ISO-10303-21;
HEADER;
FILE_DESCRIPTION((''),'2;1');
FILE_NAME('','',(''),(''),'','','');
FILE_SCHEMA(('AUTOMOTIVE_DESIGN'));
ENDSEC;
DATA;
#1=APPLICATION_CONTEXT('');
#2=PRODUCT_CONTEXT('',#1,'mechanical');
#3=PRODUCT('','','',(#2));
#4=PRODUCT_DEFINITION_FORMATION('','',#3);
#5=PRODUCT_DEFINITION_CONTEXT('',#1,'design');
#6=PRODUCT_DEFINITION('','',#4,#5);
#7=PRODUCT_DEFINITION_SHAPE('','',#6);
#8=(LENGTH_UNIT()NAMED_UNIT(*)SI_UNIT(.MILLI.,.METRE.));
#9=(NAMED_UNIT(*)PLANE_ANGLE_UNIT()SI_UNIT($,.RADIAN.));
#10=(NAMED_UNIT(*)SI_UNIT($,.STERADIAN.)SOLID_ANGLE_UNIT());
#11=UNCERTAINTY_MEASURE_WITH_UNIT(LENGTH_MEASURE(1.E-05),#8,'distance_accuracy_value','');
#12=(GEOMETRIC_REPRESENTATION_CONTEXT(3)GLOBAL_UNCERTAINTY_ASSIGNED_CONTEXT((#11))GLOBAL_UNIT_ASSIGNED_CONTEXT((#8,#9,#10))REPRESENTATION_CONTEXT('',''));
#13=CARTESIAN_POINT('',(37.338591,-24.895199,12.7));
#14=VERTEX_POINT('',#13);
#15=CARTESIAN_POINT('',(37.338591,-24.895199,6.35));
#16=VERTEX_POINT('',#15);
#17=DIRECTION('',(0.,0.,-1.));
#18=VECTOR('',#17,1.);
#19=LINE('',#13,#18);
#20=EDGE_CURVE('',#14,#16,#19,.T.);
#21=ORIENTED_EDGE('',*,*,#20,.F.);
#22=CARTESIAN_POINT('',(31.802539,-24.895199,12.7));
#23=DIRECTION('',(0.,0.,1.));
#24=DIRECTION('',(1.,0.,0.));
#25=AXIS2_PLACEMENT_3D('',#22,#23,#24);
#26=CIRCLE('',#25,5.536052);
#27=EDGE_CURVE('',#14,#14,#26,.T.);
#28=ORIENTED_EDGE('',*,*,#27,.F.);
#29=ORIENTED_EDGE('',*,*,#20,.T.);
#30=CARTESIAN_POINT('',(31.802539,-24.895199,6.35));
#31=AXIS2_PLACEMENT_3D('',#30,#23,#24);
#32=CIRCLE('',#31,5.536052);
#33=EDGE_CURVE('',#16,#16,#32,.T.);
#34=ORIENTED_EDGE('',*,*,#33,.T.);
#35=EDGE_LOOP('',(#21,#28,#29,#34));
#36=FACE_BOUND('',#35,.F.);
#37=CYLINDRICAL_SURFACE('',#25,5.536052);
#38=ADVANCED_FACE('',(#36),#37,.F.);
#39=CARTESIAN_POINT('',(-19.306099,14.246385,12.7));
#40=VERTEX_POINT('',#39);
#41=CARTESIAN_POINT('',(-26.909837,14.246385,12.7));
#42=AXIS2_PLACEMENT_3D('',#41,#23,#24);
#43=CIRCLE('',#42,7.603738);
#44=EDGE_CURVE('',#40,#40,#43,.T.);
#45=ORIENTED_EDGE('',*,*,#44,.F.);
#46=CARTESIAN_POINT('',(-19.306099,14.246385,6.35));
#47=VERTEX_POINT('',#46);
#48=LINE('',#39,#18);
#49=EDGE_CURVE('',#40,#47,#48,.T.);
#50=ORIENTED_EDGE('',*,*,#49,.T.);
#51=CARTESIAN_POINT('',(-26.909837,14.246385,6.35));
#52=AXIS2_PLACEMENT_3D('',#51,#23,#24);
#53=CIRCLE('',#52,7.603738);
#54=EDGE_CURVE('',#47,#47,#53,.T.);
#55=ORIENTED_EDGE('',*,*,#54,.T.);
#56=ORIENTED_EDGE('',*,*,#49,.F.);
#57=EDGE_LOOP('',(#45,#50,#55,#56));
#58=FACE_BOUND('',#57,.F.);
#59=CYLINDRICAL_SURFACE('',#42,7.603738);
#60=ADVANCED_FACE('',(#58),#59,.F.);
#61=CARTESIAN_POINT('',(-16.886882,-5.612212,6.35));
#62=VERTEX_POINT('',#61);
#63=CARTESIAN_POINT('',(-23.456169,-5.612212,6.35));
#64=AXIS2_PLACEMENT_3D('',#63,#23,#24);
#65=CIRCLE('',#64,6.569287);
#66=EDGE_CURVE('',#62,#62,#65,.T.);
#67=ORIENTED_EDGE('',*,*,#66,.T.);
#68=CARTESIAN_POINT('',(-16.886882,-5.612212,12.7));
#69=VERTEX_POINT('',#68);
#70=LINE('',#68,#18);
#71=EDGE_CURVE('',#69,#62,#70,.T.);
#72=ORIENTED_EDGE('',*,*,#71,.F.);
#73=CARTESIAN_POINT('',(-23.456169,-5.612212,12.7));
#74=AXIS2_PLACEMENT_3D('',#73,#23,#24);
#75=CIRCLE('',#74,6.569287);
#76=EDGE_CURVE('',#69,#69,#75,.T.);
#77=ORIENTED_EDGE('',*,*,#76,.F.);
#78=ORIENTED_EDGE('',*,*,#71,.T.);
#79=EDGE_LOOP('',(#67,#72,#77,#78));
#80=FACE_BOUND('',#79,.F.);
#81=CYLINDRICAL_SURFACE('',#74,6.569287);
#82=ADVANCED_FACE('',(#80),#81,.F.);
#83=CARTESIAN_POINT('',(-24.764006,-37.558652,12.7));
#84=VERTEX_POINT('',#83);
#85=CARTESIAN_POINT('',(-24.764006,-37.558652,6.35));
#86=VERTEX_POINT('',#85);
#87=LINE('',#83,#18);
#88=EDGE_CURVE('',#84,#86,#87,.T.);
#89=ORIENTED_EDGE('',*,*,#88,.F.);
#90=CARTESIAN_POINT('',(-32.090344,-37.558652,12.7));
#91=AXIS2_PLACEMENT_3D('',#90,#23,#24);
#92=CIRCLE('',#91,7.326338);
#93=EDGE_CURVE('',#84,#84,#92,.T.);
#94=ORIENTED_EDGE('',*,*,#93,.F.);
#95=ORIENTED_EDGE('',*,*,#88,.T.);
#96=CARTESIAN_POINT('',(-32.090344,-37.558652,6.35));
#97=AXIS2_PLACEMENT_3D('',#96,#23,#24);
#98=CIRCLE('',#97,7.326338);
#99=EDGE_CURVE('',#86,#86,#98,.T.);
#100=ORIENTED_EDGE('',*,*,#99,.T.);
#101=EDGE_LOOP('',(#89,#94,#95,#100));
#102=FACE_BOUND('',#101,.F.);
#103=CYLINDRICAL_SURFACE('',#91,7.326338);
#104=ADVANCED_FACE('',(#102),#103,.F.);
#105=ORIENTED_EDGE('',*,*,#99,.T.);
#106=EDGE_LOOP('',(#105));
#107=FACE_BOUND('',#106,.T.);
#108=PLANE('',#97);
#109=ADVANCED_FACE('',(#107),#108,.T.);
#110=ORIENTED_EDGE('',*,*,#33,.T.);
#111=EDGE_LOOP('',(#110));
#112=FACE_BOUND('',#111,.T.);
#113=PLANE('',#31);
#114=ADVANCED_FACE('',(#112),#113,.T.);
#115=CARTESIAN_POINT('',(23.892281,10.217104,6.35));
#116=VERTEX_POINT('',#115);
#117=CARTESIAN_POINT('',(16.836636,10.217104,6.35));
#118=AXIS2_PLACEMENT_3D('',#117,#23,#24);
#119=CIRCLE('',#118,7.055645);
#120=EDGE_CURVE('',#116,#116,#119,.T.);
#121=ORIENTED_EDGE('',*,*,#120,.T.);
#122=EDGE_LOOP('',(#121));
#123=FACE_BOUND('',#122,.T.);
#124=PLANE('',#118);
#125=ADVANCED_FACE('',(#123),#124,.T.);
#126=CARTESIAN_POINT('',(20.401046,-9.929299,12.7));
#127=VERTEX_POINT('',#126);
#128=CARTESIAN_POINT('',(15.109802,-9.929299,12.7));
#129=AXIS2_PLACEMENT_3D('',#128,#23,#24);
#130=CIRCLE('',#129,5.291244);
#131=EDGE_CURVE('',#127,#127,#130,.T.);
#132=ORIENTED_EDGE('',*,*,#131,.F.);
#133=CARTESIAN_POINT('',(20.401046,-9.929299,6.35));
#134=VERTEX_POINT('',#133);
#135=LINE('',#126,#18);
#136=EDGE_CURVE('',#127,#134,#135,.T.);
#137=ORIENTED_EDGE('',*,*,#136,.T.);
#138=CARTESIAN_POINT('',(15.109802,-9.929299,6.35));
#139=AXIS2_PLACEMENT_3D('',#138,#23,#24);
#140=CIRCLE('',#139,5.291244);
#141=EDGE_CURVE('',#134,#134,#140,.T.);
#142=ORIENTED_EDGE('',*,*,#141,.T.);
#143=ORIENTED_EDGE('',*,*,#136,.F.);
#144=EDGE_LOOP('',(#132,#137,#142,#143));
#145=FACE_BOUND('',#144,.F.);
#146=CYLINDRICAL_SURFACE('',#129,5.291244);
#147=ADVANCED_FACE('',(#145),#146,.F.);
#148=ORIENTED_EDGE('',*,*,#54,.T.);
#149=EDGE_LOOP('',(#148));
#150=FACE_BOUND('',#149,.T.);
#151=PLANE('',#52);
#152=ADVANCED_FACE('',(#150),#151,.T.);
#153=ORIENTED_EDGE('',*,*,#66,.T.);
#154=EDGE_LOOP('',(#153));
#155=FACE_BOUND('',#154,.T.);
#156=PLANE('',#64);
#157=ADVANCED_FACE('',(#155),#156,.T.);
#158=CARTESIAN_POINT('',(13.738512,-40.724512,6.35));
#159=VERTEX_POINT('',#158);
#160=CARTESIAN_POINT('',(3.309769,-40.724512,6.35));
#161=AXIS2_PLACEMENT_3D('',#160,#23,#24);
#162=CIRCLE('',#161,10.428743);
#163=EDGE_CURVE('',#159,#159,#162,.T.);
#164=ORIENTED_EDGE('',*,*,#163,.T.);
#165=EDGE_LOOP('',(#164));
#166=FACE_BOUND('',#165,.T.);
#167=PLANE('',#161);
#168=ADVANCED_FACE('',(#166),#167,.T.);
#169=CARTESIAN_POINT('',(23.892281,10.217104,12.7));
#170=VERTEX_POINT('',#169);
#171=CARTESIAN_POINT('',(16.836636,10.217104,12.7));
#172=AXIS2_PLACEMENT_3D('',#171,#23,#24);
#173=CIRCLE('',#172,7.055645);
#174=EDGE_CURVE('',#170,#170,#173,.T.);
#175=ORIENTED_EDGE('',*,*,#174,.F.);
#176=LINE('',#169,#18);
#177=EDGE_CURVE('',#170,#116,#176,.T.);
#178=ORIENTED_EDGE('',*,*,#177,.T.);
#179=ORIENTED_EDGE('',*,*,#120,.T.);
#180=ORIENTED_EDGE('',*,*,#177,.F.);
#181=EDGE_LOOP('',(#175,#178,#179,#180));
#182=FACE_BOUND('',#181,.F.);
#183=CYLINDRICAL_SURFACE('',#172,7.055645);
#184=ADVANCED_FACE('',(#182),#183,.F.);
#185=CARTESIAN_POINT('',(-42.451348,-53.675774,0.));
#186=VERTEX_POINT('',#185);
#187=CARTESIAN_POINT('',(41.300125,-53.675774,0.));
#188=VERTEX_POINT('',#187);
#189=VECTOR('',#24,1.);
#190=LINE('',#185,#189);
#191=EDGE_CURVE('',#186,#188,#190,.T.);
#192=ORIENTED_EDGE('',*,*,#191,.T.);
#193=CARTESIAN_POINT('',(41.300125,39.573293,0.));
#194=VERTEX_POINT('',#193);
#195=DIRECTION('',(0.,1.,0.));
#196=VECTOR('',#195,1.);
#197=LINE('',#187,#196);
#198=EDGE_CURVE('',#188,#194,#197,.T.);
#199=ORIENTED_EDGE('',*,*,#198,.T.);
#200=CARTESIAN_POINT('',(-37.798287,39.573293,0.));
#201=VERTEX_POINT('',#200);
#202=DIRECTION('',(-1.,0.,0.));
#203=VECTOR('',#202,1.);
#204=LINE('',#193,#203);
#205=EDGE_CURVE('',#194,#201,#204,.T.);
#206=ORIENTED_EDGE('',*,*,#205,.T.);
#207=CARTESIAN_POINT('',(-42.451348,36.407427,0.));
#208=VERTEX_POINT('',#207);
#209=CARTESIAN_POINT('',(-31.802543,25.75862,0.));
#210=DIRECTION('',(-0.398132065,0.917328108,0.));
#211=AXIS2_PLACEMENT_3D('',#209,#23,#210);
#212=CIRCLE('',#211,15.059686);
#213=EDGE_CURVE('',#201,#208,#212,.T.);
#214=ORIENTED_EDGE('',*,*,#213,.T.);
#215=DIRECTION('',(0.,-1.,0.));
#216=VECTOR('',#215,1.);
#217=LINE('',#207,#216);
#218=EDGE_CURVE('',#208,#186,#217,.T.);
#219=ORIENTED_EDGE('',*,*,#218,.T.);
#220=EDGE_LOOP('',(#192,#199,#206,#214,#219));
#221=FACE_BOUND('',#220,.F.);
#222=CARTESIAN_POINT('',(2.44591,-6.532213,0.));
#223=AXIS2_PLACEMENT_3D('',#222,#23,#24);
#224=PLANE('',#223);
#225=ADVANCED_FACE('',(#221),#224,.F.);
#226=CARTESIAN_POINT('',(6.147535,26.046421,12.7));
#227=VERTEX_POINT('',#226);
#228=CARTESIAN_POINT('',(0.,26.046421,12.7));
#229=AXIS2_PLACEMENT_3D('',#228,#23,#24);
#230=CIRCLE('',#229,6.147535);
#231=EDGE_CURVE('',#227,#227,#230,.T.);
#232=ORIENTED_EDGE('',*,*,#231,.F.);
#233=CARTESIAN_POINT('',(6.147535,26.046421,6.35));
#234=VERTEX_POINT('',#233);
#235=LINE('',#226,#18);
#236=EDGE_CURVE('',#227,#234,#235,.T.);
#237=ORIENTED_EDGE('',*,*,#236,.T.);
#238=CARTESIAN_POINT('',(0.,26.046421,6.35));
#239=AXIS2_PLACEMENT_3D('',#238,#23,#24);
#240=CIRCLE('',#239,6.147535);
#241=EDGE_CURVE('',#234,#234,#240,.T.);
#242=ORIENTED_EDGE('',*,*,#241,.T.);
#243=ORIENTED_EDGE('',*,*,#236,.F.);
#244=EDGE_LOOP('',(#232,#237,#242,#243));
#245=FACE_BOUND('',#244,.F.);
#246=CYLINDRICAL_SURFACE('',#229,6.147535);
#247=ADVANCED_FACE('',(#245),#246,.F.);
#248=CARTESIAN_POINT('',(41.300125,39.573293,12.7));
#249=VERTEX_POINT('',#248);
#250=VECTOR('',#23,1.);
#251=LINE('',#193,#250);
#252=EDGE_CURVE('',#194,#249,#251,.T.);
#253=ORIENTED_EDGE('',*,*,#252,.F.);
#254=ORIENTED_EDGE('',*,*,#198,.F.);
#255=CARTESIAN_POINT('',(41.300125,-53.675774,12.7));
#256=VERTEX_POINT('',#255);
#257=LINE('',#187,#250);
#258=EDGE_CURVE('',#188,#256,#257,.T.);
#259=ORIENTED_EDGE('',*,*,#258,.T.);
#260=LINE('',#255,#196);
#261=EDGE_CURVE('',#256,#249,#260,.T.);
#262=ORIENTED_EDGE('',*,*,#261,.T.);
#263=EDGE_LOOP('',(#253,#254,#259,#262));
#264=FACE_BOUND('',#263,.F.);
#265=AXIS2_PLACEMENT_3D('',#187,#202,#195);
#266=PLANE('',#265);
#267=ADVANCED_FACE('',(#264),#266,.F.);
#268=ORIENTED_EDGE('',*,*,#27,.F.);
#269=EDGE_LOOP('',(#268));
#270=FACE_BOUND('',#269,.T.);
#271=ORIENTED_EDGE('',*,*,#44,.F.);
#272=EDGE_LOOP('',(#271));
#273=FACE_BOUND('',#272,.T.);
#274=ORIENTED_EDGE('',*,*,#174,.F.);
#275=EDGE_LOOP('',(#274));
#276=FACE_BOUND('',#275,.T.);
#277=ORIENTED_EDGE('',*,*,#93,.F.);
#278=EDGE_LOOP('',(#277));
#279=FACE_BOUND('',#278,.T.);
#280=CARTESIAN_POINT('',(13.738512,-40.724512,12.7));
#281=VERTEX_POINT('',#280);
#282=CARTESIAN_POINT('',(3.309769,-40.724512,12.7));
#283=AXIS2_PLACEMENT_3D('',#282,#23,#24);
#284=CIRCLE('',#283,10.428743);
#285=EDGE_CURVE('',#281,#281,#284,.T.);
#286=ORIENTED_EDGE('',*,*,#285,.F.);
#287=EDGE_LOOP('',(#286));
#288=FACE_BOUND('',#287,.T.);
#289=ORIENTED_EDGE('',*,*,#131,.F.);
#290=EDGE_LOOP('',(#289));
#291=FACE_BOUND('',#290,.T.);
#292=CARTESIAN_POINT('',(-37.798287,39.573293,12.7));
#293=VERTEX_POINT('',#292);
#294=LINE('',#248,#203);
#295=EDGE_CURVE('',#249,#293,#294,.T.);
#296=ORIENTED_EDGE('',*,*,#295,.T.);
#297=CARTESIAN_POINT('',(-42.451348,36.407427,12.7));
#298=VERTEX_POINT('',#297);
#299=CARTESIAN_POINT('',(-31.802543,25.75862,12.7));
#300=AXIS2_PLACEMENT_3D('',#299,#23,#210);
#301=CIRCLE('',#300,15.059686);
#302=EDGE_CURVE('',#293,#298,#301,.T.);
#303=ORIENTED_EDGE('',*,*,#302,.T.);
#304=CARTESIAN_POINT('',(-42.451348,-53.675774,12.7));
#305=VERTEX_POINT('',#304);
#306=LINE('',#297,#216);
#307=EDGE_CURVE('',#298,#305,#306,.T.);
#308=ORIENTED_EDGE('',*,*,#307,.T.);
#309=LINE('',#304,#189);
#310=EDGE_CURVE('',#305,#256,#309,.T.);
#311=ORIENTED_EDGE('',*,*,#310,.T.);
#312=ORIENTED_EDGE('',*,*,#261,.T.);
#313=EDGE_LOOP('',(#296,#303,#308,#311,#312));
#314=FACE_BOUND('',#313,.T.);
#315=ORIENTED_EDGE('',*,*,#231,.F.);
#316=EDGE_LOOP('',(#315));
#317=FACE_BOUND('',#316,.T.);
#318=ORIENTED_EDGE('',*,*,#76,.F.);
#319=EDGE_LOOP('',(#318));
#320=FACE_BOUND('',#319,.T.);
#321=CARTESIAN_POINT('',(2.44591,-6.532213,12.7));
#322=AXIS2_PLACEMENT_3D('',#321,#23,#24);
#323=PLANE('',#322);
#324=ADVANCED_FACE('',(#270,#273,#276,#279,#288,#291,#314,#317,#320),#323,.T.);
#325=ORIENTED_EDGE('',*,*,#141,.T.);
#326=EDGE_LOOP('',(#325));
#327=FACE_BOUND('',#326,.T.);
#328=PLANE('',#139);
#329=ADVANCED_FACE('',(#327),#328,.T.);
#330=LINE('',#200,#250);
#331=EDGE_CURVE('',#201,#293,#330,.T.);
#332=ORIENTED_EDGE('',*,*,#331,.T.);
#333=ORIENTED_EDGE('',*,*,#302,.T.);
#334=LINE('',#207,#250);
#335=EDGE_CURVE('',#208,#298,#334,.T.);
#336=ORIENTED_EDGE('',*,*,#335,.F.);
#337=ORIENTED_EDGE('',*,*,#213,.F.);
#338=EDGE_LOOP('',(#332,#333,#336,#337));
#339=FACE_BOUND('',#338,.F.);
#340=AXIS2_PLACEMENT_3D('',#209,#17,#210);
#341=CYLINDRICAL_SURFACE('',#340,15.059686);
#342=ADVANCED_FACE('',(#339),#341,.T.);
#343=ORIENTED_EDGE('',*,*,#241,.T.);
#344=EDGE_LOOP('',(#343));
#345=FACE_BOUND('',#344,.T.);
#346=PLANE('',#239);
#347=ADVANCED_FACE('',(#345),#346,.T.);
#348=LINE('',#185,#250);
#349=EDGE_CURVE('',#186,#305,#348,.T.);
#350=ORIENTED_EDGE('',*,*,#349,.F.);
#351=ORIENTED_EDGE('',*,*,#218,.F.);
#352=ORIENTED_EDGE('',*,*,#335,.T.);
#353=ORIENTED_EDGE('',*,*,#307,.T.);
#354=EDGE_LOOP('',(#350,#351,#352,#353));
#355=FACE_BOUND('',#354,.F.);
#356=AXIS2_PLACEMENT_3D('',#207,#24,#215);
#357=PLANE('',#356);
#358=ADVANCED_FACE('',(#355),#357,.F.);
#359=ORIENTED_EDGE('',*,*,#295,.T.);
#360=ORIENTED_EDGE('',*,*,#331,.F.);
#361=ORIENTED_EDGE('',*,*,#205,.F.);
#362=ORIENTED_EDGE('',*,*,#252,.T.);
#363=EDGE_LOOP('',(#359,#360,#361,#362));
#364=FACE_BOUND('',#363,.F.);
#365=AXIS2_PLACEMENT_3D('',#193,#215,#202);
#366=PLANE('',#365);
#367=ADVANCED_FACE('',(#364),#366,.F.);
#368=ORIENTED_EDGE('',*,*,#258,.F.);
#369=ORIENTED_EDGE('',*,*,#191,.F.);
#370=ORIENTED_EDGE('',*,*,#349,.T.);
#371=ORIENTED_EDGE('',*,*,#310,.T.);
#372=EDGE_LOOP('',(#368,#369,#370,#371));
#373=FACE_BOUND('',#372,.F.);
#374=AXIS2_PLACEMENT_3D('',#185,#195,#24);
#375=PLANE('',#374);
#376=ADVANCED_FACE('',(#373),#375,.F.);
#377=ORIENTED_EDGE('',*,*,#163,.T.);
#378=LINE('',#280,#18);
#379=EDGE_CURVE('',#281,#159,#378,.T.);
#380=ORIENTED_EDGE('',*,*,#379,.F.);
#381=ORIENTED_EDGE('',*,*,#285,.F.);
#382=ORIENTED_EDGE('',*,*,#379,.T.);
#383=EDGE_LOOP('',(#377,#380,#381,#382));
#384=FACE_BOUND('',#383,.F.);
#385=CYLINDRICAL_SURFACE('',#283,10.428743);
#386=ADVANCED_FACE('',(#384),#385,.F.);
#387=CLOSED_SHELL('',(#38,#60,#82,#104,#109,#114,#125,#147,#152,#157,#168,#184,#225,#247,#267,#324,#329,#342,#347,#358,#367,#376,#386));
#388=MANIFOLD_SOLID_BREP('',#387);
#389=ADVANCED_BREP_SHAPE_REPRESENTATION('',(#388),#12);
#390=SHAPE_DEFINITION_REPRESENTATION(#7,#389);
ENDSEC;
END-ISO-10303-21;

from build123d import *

# Parameters (mm, degrees)
F0_R     = 9.227752
F0_R_2   = 10.316944
F1_DEPTH = 12.7
F2_R     = 7.603738
F2_R_2   = 5.536052
F2_R_3   = 7.326338
F2_R_4   = 7.055645
F2_R_5   = 10.428743
F2_R_6   = 6.147535
F2_R_7   = 6.569287
F2_R_8   = 5.291244
F3_DEPTH = 6.35


with BuildPart() as f1:
    # F0 (on Top) → F1 (new body)
    with BuildSketch(Plane.XY):
        with BuildLine():
            Line((12.50172, 39.573293), (-25.80679, 39.573293))
            ThreePointArc((-25.80679, 39.573293), (-19.351501, 17.287133), (-42.451348, 15.109803))
            Line((-42.451348, 15.109803), (-42.451348, -53.675774))
            Line((-42.451348, -53.675774), (-26.046417, -53.675774))
            ThreePointArc((-26.046417, -53.675774), (-15.397607, -31.799477), (-4.748798, -53.675774))
            Line((-4.748798, -53.675774), (16.548831, -53.675774))
            Line((16.548831, -53.675774), (41.300125, -53.675774))
            Line((41.300125, -53.675774), (41.300125, -43.841226))
            ThreePointArc((41.300125, -43.841226), (32.662888, -31.226924), (41.300125, -18.612622))
            Line((41.300125, -18.612622), (41.300125, 39.573293))
            Line((41.300125, 39.573293), (31.532556, 39.573293))
            ThreePointArc((31.532556, 39.573293), (22.017138, 5.274796), (12.50172, 39.573293))
        make_face()
        with BuildLine():
            ThreePointArc((25.758617, -44.465989), (23.061133, -50.978291), (16.548831, -53.675774))
            ThreePointArc((16.548831, -53.675774), (10.036529, -37.953687), (25.758617, -44.465989))
        make_face(mode=Mode.SUBTRACT)
        with Locations((20.865915, -13.382968)):
            Circle(F0_R, mode=Mode.SUBTRACT)
        with Locations((-28.06106, -5.612212)):
            Circle(F0_R_2, mode=Mode.SUBTRACT)
        with BuildLine():
            Line((31.532556, 39.573293), (12.50172, 39.573293))
            ThreePointArc((12.50172, 39.573293), (22.017138, 5.274796), (31.532556, 39.573293))
        make_face()
        with BuildLine():
            Line((-25.80679, 39.573293), (-37.798287, 39.573293))
            ThreePointArc((-37.798287, 39.573293), (-40.274021, 38.209652), (-42.451348, 36.407427))
            Line((-42.451348, 36.407427), (-42.451348, 15.109803))
            ThreePointArc((-42.451348, 15.109803), (-19.351501, 17.287133), (-25.80679, 39.573293))
        make_face()
        with BuildLine():
            ThreePointArc((-4.748798, -53.675774), (-15.397607, -31.799477), (-26.046417, -53.675774))
            Line((-26.046417, -53.675774), (-4.748798, -53.675774))
        make_face()
        with Locations((-28.06106, -5.612212)):
            Circle(F0_R_2)
        with Locations((20.865915, -13.382968)):
            Circle(F0_R)
        with BuildLine():
            ThreePointArc((25.758617, -44.465989), (10.036529, -37.953687), (16.548831, -53.675774))
            ThreePointArc((16.548831, -53.675774), (23.061133, -50.978291), (25.758617, -44.465989))
        make_face()
        with BuildLine():
            Line((41.300125, -43.841226), (41.300125, -18.612622))
            ThreePointArc((41.300125, -18.612622), (32.662888, -31.226924), (41.300125, -43.841226))
        make_face()
    extrude(amount=F1_DEPTH)

    # F2 (on face) → F3 (cut)
    with BuildSketch(Plane.XY.offset(12.7)):
        with Locations((-26.909837, 14.246385)):
            Circle(F2_R)
        with Locations((31.802539, -24.895199)):
            Circle(F2_R_2)
        with Locations((-32.090344, -37.558652)):
            Circle(F2_R_3)
        with Locations((16.836636, 10.217104)):
            Circle(F2_R_4)
        with Locations((3.309769, -40.724512)):
            Circle(F2_R_5)
        with Locations((0, 26.046421)):
            Circle(F2_R_6)
        with Locations((-23.456169, -5.612212)):
            Circle(F2_R_7)
        with Locations((15.109802, -9.929299)):
            Circle(F2_R_8)
    extrude(amount=-F3_DEPTH, mode=Mode.SUBTRACT)


solid = f1.part
